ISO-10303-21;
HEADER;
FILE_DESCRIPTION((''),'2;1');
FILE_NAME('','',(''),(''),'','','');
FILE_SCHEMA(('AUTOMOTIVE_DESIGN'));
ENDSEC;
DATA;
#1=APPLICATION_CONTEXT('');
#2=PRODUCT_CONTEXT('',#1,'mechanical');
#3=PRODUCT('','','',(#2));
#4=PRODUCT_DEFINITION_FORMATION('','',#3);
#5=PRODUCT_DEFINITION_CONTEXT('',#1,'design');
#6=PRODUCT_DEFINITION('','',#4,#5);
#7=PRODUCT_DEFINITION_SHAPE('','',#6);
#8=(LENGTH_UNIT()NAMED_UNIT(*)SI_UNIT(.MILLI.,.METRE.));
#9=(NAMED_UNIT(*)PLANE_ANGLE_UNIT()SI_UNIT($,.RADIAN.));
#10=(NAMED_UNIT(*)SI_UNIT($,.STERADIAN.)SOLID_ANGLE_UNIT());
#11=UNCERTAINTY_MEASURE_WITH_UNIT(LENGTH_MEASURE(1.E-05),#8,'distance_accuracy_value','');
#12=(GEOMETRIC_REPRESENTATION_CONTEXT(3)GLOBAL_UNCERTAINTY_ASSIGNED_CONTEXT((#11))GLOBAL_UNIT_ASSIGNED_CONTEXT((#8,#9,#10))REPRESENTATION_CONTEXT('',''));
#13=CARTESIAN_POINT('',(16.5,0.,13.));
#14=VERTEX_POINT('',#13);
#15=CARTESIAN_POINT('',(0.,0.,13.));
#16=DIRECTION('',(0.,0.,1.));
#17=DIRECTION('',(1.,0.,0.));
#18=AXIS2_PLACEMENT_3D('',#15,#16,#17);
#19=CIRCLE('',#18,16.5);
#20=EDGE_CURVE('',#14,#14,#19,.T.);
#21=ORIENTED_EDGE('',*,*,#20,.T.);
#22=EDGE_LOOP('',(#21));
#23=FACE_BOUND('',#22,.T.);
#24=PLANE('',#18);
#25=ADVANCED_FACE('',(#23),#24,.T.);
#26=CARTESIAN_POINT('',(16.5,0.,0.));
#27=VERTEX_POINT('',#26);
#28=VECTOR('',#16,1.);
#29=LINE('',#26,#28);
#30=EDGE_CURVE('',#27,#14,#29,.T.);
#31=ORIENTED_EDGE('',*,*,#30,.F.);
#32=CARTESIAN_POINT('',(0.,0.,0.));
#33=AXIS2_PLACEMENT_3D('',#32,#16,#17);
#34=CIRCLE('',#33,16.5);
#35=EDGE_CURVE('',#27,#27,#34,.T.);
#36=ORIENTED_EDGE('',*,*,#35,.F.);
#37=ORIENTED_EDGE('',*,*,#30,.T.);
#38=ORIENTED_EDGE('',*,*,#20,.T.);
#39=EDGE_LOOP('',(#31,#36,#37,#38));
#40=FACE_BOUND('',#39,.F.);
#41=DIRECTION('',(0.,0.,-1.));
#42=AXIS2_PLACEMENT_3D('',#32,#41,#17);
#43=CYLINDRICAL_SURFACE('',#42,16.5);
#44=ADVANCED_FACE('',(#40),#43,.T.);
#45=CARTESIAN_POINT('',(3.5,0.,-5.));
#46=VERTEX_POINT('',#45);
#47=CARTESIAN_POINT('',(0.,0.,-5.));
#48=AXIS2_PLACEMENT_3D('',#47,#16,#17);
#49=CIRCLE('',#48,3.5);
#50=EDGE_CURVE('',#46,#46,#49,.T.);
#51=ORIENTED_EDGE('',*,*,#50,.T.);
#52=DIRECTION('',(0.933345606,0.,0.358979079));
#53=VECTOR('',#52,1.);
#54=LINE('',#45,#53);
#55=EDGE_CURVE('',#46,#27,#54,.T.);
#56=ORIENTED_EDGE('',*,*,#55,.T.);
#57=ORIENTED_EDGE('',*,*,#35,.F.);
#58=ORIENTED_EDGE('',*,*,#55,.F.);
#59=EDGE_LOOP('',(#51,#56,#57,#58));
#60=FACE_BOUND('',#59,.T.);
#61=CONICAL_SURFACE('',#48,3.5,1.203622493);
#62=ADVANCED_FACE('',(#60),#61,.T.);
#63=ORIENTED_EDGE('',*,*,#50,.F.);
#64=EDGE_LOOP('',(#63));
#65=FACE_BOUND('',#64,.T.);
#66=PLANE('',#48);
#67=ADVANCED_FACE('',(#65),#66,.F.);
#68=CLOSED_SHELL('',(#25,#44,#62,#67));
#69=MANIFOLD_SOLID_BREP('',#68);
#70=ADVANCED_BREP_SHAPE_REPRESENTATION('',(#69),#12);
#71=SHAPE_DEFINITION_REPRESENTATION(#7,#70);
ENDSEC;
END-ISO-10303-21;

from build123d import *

# Parameters (mm, degrees)
CYLINDER_R     = 16.5
CYLINDER_DEPTH = 13


with BuildPart() as cilindro:
    # Cylinder → Cylinder (new body)
    with BuildSketch(Plane.XY):
        Circle(CYLINDER_R)
    extrude(amount=CYLINDER_DEPTH)


with BuildPart() as fusion:
    # Cone → Cone (revolve)
    with BuildSketch(Plane(origin=(0, 0, -5), x_dir=(1, 0, 0), z_dir=(0, -1, 0))):
        Polygon((0, 0), (3.5, 0), (16.5, 5), (0, 5), align=None)
    revolve(axis=Axis((0, 0, -5), (0, 0, 1)))

    # Fusion: union Cilindro
    add(cilindro.part)


solid = fusion.part
